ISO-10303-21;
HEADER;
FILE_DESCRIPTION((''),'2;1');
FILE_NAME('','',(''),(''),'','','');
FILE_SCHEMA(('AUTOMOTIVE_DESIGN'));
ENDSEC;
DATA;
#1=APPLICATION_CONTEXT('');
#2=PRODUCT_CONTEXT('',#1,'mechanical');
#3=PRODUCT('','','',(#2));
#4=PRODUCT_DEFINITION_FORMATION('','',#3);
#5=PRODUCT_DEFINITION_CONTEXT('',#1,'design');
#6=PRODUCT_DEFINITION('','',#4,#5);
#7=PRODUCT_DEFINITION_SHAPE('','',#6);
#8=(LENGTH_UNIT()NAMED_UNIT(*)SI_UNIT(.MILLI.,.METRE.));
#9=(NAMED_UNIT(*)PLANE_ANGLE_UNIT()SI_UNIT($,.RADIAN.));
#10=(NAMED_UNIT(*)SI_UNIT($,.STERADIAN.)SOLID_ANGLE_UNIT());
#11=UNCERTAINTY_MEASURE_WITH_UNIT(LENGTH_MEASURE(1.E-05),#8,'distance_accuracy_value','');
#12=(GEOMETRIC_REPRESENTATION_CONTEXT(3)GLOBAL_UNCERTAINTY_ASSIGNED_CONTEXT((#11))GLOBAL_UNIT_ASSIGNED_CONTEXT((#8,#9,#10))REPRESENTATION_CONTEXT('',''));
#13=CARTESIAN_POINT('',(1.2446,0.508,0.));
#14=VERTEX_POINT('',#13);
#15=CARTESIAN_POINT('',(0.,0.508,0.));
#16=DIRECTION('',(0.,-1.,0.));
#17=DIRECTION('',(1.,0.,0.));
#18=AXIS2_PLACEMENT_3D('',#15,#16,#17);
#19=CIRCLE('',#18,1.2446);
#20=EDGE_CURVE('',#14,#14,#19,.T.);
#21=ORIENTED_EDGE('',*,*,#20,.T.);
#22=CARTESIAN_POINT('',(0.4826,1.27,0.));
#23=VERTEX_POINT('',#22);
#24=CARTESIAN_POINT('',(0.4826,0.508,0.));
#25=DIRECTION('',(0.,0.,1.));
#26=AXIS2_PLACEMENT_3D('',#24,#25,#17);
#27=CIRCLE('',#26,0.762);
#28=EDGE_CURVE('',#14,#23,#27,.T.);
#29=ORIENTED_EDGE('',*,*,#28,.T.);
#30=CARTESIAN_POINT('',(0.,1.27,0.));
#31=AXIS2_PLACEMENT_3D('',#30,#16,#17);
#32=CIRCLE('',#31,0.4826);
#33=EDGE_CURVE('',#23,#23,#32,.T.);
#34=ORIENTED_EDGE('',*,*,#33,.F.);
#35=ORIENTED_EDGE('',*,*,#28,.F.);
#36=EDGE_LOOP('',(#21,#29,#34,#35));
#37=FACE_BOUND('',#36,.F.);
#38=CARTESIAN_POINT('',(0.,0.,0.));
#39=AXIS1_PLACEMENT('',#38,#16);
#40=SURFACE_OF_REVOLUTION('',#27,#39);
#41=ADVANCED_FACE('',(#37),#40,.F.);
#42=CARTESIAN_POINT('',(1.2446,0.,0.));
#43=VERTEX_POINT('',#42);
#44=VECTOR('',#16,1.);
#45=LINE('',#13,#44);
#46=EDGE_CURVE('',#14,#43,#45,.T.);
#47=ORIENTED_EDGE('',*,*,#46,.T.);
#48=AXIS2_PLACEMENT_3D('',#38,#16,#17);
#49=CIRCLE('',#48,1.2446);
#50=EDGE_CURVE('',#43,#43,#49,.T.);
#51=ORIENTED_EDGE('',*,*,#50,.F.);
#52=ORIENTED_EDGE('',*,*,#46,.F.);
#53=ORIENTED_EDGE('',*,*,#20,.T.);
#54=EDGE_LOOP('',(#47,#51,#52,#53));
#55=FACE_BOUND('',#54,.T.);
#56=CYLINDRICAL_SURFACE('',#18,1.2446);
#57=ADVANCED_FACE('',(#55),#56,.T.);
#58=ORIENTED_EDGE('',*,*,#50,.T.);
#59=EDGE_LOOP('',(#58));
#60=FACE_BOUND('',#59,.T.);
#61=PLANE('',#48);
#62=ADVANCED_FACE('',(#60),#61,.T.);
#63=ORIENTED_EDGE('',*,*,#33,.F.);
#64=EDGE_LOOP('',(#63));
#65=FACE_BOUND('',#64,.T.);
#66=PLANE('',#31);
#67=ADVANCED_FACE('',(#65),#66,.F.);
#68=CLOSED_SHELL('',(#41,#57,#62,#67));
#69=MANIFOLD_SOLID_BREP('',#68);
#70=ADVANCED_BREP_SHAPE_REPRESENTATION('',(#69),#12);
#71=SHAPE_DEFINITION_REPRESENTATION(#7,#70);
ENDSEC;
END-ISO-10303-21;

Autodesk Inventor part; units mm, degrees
sketch "Sketch_1" plane through (0, 0, 0) normal (0, 0, 1) x (1, 0, 0)
  line L0 (0, 0) -> (0, 1.27)
  line L1 (0, 1.27) -> (0.4826, 1.27)
  arc A0 (1.2446, 0.508) -> (0.4826, 1.27) centre (0.4826, 0.508) ccw
  line L2 (1.2446, 0.508) -> (1.2446, 0)
  line L3 (1.2446, 0) -> (0, 0)
  line L4 (0, 0) -> (0, 1.27)
revolve "Revolution1" add sketch "Sketch_1" angle 360 about axis through (0, 0, 0) along (0, -1, 0)
ref_plane "full_led_to_act_XY" through (0, 0, 0) normal (0, -1, 0) x (1, 0, 0)
ref_plane "full_led_to_act_YZ" through (0, 0, 0) normal (1, 0, 0) x (0, 0, 1)
ref_plane "full_led_to_act_ZX" through (0, 0, 0) normal (0, 0, 1) x (0, -1, 0)
properties part number "M211LC01W-led"
